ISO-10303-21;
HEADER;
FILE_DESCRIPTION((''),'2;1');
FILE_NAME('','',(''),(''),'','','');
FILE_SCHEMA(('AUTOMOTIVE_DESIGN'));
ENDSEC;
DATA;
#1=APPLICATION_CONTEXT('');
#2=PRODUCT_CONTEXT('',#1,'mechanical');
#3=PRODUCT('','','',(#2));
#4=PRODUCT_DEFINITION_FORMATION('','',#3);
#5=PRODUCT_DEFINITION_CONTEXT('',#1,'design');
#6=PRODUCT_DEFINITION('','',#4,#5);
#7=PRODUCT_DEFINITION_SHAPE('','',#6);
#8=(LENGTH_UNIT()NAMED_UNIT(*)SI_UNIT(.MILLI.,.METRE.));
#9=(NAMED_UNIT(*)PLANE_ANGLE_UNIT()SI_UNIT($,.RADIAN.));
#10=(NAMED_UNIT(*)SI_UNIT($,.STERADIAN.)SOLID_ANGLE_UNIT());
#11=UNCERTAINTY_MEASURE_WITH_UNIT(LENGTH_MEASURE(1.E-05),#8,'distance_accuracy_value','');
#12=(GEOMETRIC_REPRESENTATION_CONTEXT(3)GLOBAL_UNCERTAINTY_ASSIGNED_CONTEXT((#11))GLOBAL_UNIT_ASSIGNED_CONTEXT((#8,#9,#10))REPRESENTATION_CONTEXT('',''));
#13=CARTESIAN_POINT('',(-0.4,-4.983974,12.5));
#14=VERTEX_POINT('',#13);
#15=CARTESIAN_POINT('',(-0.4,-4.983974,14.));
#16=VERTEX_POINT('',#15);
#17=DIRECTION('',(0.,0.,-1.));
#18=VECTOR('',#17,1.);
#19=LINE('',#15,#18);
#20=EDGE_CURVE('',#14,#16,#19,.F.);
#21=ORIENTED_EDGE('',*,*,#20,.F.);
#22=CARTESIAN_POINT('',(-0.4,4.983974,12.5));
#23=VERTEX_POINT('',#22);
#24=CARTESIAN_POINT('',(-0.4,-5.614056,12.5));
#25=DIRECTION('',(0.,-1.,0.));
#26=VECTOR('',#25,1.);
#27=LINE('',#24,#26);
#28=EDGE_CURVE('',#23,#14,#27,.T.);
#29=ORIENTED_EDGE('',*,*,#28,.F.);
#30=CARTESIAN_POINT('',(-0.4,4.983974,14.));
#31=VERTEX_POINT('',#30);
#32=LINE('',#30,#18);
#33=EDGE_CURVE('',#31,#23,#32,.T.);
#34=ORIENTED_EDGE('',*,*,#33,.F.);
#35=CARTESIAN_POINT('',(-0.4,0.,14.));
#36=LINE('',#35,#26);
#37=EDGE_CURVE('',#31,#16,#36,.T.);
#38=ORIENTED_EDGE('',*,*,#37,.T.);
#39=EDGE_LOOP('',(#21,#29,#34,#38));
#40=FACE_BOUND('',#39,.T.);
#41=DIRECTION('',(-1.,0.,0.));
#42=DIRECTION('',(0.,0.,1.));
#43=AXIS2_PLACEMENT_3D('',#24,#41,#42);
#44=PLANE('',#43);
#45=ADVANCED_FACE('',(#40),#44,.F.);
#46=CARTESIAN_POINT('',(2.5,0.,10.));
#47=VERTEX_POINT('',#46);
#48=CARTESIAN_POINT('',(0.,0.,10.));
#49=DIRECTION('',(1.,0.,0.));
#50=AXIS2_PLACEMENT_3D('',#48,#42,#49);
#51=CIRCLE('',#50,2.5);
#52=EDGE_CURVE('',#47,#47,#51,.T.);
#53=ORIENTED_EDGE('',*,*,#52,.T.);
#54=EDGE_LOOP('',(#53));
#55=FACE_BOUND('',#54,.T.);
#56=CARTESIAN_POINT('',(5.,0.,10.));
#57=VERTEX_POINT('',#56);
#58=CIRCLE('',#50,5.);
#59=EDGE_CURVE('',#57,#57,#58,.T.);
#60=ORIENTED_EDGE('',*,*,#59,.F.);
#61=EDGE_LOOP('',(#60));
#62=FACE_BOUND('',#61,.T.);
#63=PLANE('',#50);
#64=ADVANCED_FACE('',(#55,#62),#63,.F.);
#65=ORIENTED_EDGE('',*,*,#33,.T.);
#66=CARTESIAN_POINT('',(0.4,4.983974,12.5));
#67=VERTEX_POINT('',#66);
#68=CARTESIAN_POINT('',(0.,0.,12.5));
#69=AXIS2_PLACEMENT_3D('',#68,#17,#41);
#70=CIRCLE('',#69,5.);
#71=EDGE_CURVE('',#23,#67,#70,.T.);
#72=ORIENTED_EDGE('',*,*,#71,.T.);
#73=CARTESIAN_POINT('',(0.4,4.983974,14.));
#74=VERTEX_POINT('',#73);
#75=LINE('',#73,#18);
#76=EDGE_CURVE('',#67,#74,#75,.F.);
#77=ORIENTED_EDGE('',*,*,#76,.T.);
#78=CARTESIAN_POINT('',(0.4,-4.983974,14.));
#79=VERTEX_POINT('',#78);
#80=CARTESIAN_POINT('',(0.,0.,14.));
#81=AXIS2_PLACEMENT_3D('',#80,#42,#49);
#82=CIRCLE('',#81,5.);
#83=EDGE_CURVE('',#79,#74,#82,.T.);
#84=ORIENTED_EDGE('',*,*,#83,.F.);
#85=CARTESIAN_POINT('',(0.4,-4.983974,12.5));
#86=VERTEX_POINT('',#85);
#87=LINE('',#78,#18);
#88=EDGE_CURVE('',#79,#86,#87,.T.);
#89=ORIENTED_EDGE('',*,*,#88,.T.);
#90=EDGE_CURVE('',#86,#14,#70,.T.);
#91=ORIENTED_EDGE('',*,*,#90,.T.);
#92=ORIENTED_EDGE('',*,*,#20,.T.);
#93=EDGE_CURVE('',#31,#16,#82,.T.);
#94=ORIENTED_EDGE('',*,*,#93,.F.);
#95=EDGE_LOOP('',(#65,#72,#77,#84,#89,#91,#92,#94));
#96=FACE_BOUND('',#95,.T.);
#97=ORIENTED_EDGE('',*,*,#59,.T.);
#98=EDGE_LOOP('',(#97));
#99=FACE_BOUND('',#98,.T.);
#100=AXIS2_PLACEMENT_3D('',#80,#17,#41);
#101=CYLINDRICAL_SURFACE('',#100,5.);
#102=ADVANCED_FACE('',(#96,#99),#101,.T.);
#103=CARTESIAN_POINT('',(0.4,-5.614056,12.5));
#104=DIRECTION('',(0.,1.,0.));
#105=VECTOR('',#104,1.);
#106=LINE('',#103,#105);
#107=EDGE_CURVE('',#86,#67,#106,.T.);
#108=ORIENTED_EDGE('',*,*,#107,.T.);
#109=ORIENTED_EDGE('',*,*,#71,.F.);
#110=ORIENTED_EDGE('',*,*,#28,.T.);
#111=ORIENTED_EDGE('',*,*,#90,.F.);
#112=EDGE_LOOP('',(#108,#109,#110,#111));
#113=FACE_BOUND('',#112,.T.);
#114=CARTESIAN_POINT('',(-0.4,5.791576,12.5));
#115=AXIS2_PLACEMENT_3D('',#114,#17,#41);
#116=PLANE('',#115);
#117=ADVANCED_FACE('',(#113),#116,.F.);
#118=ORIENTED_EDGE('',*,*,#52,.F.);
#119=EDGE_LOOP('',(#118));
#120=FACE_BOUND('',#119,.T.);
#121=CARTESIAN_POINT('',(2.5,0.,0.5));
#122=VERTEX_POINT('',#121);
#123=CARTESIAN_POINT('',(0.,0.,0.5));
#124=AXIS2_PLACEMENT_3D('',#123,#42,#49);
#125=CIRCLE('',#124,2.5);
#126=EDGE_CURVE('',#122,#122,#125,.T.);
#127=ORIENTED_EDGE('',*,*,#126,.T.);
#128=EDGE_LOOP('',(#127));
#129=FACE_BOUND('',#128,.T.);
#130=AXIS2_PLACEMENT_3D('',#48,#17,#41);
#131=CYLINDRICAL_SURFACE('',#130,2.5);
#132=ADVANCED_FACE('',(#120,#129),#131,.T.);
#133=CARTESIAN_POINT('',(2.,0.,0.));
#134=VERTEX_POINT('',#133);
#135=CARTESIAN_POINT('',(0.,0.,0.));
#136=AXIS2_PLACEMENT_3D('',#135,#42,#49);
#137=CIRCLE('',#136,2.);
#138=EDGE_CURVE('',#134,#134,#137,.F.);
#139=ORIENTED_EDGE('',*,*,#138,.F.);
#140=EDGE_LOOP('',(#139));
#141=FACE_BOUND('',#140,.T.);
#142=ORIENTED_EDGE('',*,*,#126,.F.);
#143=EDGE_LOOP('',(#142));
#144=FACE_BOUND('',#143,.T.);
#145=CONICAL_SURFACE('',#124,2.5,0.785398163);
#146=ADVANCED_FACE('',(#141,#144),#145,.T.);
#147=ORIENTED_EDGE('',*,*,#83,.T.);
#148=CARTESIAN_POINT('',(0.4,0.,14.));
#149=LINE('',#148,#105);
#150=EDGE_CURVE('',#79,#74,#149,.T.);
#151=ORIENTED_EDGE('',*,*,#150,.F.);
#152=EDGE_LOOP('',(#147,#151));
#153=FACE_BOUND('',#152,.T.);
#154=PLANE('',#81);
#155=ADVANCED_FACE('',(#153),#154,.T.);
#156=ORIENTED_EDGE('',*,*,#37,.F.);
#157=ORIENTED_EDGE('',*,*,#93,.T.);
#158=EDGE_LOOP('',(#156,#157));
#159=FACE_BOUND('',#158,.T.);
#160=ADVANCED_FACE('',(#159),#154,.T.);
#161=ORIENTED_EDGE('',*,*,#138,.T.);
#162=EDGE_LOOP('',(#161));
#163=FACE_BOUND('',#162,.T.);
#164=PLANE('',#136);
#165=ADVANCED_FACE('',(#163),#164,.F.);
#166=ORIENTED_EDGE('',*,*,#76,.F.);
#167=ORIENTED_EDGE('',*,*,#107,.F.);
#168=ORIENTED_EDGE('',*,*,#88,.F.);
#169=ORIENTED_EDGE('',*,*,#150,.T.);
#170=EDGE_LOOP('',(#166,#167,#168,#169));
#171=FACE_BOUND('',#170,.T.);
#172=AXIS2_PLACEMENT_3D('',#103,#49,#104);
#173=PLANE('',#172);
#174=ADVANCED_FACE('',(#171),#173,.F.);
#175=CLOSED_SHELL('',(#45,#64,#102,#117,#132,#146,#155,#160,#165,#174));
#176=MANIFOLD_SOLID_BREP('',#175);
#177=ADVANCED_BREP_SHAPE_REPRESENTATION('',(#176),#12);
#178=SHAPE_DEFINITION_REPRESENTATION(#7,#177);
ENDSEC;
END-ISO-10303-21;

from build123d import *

# Parameters (mm, degrees)
SKETCH_1_R          = 2.5
EXTRUDE_1_DEPTH     = 10
SKETCH_2_R          = 5
EXTRUDE_2_DEPTH     = 4
SKETCH_3_W          = 0.8
SKETCH_3_H          = 11.405632212
CUT_EXTRUDE_1_DEPTH = 1.5
CHAMFER_1_SIZE      = 0.5


with BuildPart() as part:
    # Эскиз1 → Вытянуть1 (new body)
    with BuildSketch(Plane.XY):
        Circle(SKETCH_1_R)
    extrude(amount=EXTRUDE_1_DEPTH)

    # Эскиз2 → Вытянуть2 (add)
    with BuildSketch(Plane.XY.offset(10)):
        with Locations(Location((0, 0, 0), (0, 0, 94.588565736))):
            Circle(SKETCH_2_R)
    extrude(amount=EXTRUDE_2_DEPTH)

    # Эскиз3 → Вырез-Вытянуть1 (cut)
    with BuildSketch(Plane.XY.offset(14)):
        with Locations((0, 0.088759784)):
            Rectangle(SKETCH_3_W, SKETCH_3_H)
    extrude(amount=-CUT_EXTRUDE_1_DEPTH, mode=Mode.SUBTRACT)

    # Фаска1
    chamfer_1_edges = [part.edges().sort_by_distance(p)[0] for p in [
        (-2.5, 0, 0),
    ]]
    chamfer(chamfer_1_edges, length=CHAMFER_1_SIZE)


solid = part.part
